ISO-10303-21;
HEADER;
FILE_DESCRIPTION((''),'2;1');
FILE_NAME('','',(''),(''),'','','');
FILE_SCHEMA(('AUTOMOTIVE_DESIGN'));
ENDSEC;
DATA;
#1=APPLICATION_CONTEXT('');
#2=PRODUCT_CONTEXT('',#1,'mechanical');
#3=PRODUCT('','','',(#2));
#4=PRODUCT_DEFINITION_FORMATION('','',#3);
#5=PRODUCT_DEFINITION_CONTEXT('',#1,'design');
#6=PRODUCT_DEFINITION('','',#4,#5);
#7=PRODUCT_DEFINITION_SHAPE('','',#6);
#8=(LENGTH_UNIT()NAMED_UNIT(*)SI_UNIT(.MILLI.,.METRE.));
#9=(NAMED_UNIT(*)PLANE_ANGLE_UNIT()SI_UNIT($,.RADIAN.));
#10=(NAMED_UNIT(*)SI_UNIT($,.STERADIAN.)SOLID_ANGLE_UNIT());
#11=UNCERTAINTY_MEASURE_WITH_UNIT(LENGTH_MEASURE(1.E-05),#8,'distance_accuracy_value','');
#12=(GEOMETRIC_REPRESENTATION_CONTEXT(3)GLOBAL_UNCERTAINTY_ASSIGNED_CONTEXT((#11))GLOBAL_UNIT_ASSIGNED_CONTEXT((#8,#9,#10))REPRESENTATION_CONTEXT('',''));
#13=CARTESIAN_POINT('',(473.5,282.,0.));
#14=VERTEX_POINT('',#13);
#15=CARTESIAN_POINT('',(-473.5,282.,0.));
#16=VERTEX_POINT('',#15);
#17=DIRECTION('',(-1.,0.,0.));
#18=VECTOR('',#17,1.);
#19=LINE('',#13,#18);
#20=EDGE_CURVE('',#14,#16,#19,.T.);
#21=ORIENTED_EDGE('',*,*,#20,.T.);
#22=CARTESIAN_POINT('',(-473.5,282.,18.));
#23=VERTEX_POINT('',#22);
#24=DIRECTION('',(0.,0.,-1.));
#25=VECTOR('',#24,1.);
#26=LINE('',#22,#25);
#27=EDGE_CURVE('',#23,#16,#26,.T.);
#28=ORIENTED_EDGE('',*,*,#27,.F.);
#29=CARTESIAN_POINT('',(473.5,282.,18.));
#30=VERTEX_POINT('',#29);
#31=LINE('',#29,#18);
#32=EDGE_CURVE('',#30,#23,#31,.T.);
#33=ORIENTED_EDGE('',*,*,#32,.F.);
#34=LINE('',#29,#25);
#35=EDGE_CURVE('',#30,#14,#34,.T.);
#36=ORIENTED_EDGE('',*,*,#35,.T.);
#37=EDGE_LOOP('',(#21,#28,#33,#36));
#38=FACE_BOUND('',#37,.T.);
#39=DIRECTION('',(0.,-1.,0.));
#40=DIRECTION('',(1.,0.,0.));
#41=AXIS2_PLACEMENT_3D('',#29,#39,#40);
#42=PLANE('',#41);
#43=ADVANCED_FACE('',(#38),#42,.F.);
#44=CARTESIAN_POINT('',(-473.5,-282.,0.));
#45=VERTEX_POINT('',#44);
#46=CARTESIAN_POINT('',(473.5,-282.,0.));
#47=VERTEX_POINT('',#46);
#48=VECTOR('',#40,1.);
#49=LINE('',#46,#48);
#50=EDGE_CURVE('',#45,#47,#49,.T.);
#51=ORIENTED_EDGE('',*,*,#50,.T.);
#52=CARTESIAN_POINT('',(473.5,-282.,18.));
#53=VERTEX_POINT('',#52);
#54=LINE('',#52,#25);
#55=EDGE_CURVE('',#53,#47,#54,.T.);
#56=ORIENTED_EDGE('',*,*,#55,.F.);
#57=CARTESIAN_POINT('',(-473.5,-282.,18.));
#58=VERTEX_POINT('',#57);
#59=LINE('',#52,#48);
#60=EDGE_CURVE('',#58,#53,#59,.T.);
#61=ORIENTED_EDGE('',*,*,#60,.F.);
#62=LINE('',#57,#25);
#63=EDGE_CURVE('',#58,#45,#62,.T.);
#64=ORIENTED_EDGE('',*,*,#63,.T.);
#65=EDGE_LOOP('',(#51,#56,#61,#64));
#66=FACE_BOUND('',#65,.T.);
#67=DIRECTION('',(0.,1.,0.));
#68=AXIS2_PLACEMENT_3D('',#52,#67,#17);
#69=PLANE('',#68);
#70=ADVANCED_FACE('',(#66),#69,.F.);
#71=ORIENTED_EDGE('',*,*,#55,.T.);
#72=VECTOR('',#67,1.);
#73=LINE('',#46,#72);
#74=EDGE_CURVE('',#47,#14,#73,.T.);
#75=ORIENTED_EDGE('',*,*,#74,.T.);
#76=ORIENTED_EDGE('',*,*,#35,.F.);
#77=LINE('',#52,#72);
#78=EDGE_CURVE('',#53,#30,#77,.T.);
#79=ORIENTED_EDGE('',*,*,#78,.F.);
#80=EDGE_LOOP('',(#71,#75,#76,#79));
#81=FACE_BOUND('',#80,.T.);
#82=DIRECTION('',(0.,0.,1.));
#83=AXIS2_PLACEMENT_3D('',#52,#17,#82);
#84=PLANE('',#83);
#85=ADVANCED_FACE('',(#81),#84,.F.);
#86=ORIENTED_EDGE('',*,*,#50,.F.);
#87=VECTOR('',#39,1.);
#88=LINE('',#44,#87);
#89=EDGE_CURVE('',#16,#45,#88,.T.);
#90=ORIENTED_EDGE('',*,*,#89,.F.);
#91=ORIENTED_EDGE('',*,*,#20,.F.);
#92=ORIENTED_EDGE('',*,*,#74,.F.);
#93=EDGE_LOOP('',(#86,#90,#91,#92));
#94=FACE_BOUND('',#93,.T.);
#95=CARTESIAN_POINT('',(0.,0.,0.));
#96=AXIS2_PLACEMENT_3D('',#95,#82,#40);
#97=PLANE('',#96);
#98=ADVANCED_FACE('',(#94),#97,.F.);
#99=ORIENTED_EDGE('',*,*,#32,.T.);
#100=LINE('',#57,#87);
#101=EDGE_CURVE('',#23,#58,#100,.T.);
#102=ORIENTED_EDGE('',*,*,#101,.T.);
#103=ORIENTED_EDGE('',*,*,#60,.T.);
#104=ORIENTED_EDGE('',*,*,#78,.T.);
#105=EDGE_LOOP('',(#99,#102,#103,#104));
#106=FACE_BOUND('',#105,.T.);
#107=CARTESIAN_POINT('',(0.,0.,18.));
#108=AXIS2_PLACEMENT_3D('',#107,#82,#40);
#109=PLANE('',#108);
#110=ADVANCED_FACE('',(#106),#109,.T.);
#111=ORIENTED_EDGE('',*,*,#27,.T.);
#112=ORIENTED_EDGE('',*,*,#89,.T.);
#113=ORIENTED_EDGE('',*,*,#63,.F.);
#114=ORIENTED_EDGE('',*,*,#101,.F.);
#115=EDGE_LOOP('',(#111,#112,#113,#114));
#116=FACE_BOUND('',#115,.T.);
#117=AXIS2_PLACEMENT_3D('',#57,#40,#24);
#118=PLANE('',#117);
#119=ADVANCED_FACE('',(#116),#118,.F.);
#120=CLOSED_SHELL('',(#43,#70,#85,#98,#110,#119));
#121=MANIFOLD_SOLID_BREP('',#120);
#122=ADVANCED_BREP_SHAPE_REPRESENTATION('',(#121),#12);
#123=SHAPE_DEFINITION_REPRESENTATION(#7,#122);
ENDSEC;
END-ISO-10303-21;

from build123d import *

# Parameters (mm, degrees)
SKETCH1_W           = 947
SKETCH1_H           = 564
BOSS_EXTRUDE1_DEPTH = 18


with BuildPart() as part:
    # Sketch1 → Boss-Extrude1 (new body)
    with BuildSketch(Plane.XY):
        Rectangle(SKETCH1_W, SKETCH1_H)
    extrude(amount=BOSS_EXTRUDE1_DEPTH)


solid = part.part
